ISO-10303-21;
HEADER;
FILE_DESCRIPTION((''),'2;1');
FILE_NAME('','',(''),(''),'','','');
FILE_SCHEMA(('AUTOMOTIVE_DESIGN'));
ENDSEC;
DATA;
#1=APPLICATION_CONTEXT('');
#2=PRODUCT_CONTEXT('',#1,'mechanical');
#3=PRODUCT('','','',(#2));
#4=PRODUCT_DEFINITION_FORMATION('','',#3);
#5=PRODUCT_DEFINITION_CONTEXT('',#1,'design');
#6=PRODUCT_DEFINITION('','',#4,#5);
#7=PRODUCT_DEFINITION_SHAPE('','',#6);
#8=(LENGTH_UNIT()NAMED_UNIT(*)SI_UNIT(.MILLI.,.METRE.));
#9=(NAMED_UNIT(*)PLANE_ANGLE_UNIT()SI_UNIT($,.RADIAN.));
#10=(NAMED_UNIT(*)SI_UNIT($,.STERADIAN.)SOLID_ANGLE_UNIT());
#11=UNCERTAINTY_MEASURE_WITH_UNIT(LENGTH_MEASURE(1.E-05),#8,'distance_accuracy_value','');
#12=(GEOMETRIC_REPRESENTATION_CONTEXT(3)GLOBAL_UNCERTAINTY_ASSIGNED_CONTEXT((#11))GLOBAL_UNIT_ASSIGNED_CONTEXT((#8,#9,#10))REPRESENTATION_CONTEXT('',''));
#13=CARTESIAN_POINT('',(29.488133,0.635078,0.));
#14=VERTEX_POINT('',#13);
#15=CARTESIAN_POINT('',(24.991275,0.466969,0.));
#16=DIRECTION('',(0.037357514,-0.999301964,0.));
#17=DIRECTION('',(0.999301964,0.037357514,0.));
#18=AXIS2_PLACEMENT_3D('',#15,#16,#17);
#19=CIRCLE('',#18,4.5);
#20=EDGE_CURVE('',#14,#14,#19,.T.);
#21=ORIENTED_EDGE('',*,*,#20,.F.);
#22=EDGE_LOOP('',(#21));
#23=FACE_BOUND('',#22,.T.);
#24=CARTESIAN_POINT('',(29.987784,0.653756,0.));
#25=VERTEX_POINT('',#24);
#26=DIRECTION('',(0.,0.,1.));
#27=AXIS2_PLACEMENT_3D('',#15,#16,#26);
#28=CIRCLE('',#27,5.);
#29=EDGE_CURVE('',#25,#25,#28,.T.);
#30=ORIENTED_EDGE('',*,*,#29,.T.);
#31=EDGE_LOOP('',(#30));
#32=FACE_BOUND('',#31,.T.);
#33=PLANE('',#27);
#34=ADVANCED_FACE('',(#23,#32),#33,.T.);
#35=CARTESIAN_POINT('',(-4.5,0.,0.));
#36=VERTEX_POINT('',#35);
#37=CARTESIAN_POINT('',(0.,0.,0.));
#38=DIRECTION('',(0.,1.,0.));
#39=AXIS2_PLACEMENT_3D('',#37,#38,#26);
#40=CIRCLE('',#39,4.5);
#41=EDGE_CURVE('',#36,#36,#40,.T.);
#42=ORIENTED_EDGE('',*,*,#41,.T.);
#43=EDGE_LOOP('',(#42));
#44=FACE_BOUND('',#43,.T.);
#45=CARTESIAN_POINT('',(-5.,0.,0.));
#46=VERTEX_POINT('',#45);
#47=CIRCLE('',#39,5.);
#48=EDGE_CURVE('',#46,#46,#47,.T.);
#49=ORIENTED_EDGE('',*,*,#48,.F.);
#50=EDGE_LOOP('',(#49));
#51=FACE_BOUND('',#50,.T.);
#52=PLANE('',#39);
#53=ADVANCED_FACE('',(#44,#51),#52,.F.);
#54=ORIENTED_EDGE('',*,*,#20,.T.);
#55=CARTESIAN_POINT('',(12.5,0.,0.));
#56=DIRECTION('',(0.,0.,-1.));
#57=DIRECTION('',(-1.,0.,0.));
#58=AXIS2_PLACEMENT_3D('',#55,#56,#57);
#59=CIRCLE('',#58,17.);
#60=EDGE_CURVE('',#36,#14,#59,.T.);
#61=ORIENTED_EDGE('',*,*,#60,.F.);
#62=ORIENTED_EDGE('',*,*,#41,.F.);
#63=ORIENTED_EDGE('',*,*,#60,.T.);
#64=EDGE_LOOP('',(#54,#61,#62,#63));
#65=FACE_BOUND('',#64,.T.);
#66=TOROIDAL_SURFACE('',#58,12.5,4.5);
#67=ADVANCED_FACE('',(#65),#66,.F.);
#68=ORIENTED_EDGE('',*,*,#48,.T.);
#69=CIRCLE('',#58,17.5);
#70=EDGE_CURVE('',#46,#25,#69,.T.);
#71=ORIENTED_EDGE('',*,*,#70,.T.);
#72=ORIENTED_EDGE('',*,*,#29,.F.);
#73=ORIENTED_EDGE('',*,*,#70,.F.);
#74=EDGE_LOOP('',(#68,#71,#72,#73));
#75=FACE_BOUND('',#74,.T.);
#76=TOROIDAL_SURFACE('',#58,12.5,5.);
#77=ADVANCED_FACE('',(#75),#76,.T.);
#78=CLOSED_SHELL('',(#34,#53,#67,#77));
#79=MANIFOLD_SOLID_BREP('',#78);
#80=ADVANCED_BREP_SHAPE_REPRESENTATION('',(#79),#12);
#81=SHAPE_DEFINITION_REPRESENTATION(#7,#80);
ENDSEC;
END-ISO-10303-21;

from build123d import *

# Parameters (mm, degrees)
SKETCH2_R = 5
SHELL1_T  = -0.5


with BuildPart() as part:
    # Sweep1: sweep along a path in Sketch3
    with BuildLine(Plane.XY) as sweep1_path:
        ThreePointArc((0, 0), (12.266474782, 12.497818449), (24.991274556, 0.466968925))
    # Sketch2 → Sweep1 (sweep)
    with BuildSketch(Plane(origin=(0, 0, 0), x_dir=(1, 0, 0), z_dir=(0, 1, 0))):
        Circle(SKETCH2_R)
    sweep(path=sweep1_path.line)

    # Shell1
    shell1_openings = [part.faces().sort_by_distance(p)[0] for p in [
        (24.991274556, 0.466968925, 0),
        (0, 0, 0),
    ]]
    offset(amount=SHELL1_T, openings=shell1_openings, kind=Kind.INTERSECTION)


solid = part.part
